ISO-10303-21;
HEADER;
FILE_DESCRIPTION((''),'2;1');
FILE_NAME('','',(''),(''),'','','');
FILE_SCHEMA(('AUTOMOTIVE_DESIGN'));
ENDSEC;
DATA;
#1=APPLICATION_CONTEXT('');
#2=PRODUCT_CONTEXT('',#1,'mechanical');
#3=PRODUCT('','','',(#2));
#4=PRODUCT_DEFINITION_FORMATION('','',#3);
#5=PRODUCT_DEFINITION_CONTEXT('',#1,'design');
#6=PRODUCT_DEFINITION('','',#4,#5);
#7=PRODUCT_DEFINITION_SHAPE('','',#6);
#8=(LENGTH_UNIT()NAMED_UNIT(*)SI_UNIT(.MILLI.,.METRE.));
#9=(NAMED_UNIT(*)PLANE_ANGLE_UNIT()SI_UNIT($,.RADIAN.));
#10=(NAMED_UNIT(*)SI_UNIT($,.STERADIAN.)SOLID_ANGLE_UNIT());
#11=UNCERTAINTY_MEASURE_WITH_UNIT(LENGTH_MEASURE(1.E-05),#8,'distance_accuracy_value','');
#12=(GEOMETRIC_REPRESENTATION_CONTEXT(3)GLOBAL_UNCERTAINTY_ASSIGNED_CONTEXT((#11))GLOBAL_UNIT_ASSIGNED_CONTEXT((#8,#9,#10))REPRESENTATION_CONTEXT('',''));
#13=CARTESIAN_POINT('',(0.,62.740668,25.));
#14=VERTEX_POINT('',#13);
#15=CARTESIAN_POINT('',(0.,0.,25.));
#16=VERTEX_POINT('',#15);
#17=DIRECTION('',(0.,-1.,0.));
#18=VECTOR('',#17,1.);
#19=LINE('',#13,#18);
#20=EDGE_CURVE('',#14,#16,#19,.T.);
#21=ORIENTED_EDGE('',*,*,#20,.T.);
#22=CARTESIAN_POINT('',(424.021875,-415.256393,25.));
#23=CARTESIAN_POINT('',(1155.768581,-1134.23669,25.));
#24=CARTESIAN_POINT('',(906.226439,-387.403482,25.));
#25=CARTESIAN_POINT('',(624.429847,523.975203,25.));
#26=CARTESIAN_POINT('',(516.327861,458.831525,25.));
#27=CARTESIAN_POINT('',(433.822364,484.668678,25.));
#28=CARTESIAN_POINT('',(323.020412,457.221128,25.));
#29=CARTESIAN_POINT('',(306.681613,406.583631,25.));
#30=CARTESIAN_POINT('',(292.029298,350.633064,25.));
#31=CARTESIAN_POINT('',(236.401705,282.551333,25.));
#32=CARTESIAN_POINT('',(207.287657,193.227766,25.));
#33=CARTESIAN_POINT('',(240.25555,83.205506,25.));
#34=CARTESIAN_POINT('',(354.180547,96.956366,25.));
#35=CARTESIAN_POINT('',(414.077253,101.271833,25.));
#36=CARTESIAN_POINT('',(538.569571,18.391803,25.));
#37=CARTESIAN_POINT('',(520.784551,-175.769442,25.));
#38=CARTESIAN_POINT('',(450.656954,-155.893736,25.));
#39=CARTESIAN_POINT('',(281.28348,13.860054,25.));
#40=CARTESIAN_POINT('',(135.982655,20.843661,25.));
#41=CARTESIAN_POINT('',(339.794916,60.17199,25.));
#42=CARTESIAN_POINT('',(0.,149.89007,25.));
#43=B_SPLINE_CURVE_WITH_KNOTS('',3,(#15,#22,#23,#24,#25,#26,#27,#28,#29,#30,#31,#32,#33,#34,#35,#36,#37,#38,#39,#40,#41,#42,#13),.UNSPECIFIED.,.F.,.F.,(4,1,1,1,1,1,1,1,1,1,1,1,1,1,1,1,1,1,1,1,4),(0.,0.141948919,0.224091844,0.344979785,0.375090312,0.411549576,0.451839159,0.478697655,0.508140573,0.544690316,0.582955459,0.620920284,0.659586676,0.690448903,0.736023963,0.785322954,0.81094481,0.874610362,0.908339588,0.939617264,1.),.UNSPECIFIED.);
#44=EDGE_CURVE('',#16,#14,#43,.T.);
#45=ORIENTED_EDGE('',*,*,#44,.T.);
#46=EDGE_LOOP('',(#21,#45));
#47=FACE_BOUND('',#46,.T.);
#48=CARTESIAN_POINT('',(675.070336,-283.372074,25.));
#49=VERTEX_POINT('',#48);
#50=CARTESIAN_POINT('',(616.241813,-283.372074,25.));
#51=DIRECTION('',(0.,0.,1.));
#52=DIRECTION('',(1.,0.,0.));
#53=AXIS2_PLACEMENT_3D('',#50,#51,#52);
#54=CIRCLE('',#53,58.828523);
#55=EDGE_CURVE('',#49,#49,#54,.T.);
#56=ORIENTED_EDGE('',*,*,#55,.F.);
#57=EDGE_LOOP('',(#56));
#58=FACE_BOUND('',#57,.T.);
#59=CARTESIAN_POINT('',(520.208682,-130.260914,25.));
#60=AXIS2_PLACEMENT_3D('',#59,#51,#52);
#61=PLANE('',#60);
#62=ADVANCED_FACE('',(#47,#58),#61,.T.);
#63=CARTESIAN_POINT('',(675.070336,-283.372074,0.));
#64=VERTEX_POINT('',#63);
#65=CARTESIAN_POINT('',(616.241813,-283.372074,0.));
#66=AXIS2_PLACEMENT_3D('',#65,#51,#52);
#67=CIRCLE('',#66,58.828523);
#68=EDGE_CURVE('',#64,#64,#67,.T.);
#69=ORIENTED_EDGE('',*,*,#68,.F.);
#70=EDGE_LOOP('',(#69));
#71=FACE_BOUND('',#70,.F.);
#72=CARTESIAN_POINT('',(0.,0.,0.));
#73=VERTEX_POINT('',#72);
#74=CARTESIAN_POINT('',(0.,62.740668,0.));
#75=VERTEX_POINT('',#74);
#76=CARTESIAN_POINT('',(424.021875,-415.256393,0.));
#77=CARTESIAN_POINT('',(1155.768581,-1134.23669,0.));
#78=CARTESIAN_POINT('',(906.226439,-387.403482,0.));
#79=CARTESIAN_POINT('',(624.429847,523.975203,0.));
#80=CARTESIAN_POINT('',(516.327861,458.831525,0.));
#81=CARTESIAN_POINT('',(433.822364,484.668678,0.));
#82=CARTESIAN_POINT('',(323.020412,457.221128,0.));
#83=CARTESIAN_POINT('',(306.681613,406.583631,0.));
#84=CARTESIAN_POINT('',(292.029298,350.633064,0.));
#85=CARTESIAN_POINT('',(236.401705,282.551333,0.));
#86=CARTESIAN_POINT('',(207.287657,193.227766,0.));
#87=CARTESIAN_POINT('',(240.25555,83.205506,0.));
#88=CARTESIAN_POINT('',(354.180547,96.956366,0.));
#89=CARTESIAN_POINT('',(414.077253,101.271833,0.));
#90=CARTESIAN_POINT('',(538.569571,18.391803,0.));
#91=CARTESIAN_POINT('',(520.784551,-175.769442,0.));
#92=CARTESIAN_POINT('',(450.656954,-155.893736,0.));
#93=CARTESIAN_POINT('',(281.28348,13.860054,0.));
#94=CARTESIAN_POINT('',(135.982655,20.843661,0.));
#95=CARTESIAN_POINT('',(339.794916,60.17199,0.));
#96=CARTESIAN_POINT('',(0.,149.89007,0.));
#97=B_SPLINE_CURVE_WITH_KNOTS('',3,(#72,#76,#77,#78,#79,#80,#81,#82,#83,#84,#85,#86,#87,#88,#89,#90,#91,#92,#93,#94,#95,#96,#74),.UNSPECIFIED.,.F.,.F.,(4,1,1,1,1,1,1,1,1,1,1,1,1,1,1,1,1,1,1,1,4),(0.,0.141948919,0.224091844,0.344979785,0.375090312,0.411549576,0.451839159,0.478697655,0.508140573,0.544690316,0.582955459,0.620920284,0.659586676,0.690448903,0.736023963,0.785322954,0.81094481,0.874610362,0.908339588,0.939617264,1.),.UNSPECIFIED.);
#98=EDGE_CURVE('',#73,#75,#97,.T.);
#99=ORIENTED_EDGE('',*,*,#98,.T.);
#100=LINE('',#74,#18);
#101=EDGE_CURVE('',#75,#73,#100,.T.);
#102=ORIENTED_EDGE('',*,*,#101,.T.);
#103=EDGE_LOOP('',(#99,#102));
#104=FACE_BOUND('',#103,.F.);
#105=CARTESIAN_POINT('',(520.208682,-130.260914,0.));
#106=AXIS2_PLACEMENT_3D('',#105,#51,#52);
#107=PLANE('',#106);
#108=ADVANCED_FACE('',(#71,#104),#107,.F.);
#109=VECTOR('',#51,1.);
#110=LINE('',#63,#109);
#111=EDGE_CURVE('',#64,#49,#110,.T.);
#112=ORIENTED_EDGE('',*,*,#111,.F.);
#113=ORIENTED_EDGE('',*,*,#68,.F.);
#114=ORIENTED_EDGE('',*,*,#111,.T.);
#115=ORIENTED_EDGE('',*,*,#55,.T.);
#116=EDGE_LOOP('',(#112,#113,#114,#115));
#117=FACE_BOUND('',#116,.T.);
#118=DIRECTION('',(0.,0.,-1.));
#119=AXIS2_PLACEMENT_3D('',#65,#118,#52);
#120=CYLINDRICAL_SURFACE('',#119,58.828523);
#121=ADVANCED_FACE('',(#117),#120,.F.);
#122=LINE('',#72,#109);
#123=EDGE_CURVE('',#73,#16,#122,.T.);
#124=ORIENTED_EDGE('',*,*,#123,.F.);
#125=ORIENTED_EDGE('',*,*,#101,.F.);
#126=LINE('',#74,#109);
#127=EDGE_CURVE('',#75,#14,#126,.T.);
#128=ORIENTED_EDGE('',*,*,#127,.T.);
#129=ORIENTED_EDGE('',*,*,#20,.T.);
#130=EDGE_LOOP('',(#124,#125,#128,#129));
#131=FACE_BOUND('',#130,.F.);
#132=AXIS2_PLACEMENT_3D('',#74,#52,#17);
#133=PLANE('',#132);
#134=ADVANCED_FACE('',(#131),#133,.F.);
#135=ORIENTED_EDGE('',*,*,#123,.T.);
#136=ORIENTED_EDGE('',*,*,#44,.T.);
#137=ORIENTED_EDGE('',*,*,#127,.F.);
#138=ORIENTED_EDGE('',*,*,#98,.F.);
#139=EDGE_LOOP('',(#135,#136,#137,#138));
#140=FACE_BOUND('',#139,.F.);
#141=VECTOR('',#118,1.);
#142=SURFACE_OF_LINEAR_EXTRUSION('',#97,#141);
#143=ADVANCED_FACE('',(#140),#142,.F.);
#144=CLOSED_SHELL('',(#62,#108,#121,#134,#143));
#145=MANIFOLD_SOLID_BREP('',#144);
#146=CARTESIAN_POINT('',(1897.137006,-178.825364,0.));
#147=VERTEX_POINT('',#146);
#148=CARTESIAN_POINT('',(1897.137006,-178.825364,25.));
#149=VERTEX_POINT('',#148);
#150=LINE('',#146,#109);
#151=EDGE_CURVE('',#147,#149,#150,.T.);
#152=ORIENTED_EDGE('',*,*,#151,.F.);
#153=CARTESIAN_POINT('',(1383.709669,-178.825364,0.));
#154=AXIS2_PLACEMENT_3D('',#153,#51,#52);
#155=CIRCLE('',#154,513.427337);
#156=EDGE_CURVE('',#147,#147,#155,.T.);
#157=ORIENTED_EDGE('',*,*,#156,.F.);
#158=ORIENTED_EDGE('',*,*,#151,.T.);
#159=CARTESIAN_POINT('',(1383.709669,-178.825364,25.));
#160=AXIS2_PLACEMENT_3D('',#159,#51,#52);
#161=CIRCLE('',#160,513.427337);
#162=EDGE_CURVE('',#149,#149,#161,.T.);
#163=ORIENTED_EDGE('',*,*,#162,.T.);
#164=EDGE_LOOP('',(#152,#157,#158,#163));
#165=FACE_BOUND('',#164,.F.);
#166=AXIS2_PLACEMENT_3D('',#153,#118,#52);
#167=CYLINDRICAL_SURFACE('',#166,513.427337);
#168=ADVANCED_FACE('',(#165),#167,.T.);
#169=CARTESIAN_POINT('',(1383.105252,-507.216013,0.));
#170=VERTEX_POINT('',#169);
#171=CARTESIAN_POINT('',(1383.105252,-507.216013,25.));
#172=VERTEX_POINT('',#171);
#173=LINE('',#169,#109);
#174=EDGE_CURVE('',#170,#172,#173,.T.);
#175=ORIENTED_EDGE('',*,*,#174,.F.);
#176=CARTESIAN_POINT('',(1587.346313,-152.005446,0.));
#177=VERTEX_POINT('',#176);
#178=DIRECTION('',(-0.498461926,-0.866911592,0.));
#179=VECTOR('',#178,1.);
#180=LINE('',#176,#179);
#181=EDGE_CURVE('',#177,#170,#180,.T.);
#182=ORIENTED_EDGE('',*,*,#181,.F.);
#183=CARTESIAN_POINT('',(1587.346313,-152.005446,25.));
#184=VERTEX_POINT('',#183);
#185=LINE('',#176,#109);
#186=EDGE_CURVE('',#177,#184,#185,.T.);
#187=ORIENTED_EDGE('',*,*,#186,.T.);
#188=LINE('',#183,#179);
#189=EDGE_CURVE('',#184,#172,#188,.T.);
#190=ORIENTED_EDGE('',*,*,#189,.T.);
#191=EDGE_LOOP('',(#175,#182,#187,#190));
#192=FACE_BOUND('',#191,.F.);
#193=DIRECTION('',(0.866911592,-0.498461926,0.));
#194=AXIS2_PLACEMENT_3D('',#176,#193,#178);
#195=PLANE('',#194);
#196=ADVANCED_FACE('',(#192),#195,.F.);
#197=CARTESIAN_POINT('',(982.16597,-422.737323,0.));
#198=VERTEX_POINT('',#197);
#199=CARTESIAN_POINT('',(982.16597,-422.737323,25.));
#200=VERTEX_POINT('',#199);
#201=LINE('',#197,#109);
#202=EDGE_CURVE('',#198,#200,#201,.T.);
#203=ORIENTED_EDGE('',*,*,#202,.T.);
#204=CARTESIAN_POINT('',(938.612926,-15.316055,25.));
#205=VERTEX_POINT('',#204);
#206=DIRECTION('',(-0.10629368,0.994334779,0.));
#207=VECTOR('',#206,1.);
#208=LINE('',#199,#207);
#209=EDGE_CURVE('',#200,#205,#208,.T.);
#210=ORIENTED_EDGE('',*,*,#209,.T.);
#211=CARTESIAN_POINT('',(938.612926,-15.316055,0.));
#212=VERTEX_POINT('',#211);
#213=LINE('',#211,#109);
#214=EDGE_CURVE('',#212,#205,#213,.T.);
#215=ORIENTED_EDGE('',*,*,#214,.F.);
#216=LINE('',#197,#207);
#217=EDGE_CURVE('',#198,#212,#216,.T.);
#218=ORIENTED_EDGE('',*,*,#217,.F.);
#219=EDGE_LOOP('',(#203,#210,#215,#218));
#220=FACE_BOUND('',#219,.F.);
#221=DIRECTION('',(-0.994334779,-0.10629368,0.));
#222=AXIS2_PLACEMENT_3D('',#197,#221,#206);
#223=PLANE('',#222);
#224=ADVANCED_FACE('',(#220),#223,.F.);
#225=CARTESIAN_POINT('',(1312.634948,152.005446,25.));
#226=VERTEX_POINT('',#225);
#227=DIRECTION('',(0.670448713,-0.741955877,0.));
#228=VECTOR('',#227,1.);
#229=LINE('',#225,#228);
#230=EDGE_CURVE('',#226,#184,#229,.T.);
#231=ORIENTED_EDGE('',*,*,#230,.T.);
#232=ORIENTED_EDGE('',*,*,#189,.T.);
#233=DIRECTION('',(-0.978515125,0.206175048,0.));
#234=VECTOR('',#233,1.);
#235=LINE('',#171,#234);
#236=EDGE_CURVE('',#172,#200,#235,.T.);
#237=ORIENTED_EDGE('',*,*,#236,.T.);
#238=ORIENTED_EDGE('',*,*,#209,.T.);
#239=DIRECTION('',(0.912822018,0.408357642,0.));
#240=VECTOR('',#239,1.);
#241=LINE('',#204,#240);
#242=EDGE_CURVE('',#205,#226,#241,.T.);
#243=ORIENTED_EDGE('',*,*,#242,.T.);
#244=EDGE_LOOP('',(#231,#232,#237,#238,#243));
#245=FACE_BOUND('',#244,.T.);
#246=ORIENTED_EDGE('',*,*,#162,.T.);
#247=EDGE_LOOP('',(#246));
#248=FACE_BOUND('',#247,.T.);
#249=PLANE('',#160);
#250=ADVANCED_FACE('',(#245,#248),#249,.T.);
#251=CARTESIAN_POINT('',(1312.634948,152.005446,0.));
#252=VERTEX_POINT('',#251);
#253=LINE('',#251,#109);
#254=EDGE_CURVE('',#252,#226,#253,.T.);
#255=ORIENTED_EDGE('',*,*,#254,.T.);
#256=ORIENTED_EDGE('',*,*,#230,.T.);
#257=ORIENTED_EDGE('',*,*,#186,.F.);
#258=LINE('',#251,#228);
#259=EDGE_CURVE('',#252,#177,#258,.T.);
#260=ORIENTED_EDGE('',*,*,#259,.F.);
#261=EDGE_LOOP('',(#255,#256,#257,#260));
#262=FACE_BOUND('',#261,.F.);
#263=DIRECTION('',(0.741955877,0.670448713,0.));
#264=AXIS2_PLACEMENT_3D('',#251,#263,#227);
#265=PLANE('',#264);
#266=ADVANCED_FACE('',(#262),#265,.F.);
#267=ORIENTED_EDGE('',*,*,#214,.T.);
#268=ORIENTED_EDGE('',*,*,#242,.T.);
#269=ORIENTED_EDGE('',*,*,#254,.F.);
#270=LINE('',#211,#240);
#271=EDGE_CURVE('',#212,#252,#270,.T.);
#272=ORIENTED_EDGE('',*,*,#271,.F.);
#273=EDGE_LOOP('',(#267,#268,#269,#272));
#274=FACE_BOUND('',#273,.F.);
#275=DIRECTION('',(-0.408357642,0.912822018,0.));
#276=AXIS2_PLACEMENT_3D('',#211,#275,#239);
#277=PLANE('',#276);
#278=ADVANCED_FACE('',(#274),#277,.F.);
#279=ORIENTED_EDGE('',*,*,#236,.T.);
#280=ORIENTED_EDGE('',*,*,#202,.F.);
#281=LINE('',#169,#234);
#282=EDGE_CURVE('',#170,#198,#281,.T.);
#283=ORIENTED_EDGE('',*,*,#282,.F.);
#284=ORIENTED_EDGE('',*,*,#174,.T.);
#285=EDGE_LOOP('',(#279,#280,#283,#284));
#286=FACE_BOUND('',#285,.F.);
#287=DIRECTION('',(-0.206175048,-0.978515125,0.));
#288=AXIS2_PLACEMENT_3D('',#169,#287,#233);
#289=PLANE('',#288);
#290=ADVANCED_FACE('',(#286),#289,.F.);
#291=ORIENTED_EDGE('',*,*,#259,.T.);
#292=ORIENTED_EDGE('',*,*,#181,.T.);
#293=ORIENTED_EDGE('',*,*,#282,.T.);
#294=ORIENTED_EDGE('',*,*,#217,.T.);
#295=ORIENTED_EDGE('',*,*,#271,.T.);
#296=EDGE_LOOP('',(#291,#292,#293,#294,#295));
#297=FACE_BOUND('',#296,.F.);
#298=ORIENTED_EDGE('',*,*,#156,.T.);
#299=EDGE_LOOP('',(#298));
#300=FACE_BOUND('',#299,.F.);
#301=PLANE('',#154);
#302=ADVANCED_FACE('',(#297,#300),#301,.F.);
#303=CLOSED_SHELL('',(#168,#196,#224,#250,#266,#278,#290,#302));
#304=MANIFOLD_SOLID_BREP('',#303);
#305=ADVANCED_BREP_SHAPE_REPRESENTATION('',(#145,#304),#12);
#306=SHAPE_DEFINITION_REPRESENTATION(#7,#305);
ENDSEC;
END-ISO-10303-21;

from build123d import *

# Parameters (mm, degrees)
F0_R     = 58.8285230849
F1_DEPTH = 25
F0_R_2   = 513.4273367269


with BuildPart() as f1:
    # F0 (on Top) → F1 (new body)
    with BuildSketch(Plane.XY):
        with BuildLine():
            Line((0, 62.7406684931), (0, 0))
            add(Edge.make_bspline(
                [(0, 0), (424.0218751885, -415.2563931813), (1155.7685809528, -1134.2366900659), (906.2264386073, -387.40348215), (624.4298468479, 523.9752028403), (516.3278613509, 458.8315245942), (433.8223636879, 484.668678163), (323.0204117611, 457.2211275802), (306.6816127157, 406.5836305157), (292.0292979708, 350.6330644538), (236.4017049736, 282.5513334208), (207.2876572193, 193.2277657573), (240.2555498644, 83.205506121), (354.1805465575, 96.9563664823), (414.0772529304, 101.2718326095), (538.5695708527, 18.3918030065), (520.7845514677, -175.7694418951), (450.6569538036, -155.893736223), (281.2834802916, 13.8600540382), (135.9826552298, 20.8436605682), (339.794916342, 60.1719898992), (0, 149.8900696536), (0, 62.7406684931)],
                knots=[0, 0, 0, 0, 0.1419489189, 0.2240918445, 0.3449797846, 0.375090312, 0.4115495759, 0.4518391592, 0.4786976552, 0.5081405728, 0.5446903163, 0.5829554589, 0.6209202844, 0.6595866764, 0.6904489035, 0.7360239625, 0.7853229541, 0.8109448103, 0.874610362, 0.9083395882, 0.9396172644, 1, 1, 1, 1], degree=3))
        make_face()
        with Locations((616.241812706, -283.3720743656)):
            Circle(F0_R, mode=Mode.SUBTRACT)
    extrude(amount=F1_DEPTH)


with BuildPart() as f1b:
    # F0 (on Top) → F1, piece 2 (new body)
    with BuildSketch(Plane.XY):
        with Locations((1383.7096691132, -178.8253635168)):
            Circle(F0_R_2)
        Polygon((938.6129263696, -15.3160550452), (1312.6349475618, 152.0054464961), (1587.3463127379, -152.0054464961), (1383.1052523203, -507.2160128568), (982.1659699079, -422.7373230386), align=None, mode=Mode.SUBTRACT)
    extrude(amount=F1_DEPTH)


solid = Compound([f1.part, f1b.part])
